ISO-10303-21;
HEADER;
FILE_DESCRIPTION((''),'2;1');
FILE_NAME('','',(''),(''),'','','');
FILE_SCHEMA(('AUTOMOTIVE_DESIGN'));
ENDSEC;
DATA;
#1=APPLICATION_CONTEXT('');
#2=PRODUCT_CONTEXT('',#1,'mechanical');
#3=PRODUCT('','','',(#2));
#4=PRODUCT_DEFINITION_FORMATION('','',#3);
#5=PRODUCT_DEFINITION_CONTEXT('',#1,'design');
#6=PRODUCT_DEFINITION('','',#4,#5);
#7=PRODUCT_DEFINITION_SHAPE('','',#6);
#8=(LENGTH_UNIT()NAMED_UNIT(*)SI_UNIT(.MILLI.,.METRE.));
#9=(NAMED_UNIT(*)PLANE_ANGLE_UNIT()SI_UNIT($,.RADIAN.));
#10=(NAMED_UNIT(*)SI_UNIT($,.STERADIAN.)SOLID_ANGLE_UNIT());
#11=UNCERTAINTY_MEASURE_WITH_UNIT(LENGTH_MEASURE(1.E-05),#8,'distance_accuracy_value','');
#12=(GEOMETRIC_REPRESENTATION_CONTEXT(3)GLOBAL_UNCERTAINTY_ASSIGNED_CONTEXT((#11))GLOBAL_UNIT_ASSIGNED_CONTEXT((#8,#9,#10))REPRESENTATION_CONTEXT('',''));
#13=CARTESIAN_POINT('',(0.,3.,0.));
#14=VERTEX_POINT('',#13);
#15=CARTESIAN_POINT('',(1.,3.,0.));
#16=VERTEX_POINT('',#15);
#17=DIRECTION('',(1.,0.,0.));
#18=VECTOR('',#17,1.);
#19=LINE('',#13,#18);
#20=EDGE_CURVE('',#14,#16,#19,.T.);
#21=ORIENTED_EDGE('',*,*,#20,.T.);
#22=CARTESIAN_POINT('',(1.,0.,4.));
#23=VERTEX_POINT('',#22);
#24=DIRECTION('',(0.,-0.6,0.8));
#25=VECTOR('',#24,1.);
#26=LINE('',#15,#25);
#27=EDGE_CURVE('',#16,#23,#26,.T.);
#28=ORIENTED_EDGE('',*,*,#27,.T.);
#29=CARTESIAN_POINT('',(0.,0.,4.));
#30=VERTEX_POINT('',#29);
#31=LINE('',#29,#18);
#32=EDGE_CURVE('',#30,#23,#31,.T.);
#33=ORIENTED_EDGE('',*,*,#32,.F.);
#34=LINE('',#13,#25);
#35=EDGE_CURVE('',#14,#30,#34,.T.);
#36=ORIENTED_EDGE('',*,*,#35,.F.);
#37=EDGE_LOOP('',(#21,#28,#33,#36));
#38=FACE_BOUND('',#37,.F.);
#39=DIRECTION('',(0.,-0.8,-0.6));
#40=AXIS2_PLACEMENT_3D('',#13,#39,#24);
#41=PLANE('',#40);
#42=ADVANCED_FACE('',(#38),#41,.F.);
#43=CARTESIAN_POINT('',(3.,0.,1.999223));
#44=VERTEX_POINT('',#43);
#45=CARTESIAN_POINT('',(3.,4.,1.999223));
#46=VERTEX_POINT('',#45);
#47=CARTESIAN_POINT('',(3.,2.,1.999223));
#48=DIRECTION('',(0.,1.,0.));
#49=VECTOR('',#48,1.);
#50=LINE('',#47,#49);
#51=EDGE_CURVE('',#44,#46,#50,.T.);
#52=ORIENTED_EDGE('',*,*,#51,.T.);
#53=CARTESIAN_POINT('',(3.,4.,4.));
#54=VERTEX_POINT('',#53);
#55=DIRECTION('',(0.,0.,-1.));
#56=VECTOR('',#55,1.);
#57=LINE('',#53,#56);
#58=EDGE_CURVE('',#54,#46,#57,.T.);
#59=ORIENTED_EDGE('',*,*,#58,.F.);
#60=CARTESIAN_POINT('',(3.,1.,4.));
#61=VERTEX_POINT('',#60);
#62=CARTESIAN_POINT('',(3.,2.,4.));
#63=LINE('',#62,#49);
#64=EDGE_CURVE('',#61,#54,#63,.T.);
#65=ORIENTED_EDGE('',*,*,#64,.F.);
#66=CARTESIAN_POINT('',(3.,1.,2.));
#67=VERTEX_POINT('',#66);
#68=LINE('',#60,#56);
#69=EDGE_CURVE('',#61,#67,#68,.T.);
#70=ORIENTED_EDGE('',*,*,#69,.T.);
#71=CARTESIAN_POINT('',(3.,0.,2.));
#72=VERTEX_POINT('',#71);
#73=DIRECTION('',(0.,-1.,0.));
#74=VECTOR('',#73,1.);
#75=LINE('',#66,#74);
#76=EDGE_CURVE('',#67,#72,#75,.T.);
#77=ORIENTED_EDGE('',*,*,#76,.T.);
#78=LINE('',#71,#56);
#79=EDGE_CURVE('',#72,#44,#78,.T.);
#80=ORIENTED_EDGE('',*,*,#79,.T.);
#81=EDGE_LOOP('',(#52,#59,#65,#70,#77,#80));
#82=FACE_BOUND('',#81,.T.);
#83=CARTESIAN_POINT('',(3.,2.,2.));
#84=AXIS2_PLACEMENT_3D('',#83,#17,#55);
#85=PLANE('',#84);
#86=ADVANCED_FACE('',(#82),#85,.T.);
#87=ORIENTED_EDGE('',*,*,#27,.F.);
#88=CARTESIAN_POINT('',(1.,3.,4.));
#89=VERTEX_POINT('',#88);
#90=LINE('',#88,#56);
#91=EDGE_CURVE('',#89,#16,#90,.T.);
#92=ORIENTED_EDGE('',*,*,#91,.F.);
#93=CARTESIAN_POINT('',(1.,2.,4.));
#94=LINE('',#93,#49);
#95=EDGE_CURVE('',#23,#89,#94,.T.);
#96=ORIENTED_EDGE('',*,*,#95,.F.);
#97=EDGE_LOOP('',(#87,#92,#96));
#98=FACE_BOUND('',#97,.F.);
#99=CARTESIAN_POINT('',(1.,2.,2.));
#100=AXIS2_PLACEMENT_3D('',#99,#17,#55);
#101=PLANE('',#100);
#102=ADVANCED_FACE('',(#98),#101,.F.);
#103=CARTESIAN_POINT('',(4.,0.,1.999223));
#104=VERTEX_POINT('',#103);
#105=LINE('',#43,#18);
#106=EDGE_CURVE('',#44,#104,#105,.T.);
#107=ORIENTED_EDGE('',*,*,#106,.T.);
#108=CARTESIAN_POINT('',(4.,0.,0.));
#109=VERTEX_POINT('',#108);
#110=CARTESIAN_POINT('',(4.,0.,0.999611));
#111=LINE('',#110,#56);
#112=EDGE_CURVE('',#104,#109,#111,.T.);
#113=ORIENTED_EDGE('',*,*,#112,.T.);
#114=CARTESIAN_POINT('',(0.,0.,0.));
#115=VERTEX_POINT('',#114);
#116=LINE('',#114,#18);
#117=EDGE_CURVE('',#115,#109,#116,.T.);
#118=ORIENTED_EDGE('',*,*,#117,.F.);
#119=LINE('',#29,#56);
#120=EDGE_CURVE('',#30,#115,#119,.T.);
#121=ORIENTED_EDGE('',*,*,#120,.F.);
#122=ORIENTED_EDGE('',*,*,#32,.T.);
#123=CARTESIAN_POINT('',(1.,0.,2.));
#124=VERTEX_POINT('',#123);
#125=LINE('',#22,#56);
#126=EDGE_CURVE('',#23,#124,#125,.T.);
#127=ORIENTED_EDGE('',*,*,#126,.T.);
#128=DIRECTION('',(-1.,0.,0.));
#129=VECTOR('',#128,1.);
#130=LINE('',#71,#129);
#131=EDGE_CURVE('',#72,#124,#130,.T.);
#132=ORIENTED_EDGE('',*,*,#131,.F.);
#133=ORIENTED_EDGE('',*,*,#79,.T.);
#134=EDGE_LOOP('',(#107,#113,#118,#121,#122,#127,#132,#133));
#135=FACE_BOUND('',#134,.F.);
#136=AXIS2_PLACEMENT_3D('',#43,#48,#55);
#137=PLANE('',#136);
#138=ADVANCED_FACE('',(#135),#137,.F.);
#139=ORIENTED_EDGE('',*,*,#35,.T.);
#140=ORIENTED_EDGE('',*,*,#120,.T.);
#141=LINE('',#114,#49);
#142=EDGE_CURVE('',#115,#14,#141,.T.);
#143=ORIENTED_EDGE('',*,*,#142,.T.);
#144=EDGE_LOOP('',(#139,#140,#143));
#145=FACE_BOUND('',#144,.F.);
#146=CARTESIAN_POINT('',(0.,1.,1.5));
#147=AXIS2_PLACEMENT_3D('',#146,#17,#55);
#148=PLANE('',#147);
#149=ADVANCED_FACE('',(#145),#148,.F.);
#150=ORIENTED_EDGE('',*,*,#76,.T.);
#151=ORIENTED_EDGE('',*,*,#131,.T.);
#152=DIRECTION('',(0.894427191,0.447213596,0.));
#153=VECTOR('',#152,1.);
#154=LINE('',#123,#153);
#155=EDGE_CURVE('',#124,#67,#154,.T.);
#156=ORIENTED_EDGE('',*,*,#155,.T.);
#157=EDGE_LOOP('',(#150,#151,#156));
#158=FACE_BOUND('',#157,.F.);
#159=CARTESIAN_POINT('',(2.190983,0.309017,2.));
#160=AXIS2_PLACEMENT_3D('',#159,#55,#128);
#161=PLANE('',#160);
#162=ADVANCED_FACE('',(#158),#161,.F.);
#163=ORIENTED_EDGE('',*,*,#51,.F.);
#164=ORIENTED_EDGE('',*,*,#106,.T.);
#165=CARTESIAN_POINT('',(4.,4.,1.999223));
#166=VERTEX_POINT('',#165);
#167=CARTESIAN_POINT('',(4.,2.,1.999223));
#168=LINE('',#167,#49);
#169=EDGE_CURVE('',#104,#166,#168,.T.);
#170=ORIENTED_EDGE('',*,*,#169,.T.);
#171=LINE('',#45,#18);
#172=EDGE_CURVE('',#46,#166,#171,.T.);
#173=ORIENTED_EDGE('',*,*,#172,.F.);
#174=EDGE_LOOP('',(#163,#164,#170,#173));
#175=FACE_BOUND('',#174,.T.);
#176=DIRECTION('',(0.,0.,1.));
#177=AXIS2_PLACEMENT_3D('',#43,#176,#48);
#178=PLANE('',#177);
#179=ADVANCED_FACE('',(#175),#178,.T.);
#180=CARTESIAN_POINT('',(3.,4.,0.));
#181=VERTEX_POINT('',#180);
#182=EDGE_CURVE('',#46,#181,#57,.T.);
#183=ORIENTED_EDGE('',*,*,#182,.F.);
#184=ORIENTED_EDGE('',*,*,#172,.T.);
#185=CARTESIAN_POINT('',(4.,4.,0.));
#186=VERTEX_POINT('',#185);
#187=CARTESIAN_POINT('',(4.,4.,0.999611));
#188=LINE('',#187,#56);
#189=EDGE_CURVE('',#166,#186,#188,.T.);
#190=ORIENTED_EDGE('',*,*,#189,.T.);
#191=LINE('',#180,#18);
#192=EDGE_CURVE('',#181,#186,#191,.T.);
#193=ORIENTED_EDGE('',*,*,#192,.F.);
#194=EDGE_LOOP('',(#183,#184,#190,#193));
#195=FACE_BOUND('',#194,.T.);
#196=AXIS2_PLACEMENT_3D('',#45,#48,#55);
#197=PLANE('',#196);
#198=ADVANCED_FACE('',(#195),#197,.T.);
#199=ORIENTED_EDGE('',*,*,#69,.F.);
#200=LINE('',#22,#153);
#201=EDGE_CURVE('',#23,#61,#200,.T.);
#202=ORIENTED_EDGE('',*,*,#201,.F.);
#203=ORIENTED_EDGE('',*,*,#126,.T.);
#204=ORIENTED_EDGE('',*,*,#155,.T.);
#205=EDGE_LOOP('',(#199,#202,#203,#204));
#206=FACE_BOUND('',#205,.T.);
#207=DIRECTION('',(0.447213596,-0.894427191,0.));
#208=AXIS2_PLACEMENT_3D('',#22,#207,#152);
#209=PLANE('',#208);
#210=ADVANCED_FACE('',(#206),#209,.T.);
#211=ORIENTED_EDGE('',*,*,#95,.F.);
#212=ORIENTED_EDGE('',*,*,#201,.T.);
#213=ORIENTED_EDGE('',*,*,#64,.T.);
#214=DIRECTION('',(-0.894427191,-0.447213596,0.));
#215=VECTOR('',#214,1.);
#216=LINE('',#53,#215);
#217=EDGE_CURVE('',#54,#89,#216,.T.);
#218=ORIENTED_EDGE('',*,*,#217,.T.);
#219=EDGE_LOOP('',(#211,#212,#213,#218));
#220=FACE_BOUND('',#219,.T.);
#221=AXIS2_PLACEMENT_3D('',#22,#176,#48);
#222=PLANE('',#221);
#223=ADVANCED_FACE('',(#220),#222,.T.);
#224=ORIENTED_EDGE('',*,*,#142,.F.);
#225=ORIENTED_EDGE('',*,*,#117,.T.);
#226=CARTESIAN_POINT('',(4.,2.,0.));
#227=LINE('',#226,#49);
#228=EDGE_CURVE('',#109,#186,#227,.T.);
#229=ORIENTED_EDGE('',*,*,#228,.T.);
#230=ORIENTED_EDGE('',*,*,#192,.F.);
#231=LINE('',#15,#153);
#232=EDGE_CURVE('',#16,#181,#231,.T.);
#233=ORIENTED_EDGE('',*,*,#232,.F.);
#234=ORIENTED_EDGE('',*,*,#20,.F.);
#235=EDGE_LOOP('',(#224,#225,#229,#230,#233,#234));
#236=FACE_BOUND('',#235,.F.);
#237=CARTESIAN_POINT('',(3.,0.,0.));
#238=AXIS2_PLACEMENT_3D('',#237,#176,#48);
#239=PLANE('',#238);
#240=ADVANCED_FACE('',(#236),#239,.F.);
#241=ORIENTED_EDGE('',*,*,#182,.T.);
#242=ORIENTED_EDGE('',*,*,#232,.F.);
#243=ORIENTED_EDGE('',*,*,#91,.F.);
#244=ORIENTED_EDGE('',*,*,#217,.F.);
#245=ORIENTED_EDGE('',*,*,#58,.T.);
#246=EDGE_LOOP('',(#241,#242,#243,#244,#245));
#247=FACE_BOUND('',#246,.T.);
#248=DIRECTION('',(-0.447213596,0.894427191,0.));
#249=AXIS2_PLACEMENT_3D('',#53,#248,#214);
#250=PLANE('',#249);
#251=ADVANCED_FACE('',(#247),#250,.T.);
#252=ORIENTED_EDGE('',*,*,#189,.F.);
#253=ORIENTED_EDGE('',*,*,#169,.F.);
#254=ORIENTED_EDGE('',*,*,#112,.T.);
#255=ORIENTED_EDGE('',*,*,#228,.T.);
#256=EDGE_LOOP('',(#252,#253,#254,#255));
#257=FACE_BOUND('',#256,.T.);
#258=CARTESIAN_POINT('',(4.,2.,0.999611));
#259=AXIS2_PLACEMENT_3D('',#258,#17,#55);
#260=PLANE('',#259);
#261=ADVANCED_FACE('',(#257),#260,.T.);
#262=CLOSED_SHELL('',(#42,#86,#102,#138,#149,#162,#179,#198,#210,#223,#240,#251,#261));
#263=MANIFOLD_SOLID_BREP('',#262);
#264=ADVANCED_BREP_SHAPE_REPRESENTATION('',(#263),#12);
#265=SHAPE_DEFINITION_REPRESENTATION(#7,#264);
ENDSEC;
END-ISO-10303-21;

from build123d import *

# Parameters (mm, degrees)
BOSS_EXTRUDE1_DEPTH = 1
SKETCH3_W           = 4
SKETCH3_H           = 4
BOSS_EXTRUDE2_DEPTH = 2
CUT_EXTRUDE1_DEPTH  = 2
CUT_EXTRUDE2_DEPTH  = 2
SKETCH7_W           = 1.99922299
SKETCH7_H           = 4
BOSS_EXTRUDE3_DEPTH = 1


with BuildPart() as part:
    # Sketch2 → Boss-Extrude1 (new body)
    with BuildSketch(Plane(origin=(0, 0, 0), x_dir=(0, 0, -1), z_dir=(1, 0, 0))):
        Polygon((0, 0), (0, 3), (-4, 0), align=None)
    extrude(amount=BOSS_EXTRUDE1_DEPTH)

    # Sketch3 → Boss-Extrude2 (add)
    with BuildSketch(Plane(origin=(1, 0, 0), x_dir=(0, 0, -1), z_dir=(1, 0, 0))):
        with Locations((-2, 2)):
            Rectangle(SKETCH3_W, SKETCH3_H)
    extrude(amount=BOSS_EXTRUDE2_DEPTH)

    # Sketch5 → Cut-Extrude1 (cut)
    with BuildSketch(Plane.XY.offset(4)):
        Polygon((3, 4), (1, 3), (1, 4), align=None)
        Polygon((1, 0), (3, 1), (3, 0), align=None)
    extrude(amount=-CUT_EXTRUDE1_DEPTH, mode=Mode.SUBTRACT)

    # Sketch6 → Cut-Extrude2 (cut)
    with BuildSketch(Plane.XY.offset(2)):
        Polygon((3, 4), (1, 4), (1, 3), align=None)
    extrude(amount=-CUT_EXTRUDE2_DEPTH, mode=Mode.SUBTRACT)

    # Sketch7 → Boss-Extrude3 (add)
    with BuildSketch(Plane(origin=(3, 0, 0), x_dir=(0, 0, -1), z_dir=(1, 0, 0))):
        with Locations((-0.999611495, 2)):
            Rectangle(SKETCH7_W, SKETCH7_H)
    extrude(amount=BOSS_EXTRUDE3_DEPTH)


solid = part.part
